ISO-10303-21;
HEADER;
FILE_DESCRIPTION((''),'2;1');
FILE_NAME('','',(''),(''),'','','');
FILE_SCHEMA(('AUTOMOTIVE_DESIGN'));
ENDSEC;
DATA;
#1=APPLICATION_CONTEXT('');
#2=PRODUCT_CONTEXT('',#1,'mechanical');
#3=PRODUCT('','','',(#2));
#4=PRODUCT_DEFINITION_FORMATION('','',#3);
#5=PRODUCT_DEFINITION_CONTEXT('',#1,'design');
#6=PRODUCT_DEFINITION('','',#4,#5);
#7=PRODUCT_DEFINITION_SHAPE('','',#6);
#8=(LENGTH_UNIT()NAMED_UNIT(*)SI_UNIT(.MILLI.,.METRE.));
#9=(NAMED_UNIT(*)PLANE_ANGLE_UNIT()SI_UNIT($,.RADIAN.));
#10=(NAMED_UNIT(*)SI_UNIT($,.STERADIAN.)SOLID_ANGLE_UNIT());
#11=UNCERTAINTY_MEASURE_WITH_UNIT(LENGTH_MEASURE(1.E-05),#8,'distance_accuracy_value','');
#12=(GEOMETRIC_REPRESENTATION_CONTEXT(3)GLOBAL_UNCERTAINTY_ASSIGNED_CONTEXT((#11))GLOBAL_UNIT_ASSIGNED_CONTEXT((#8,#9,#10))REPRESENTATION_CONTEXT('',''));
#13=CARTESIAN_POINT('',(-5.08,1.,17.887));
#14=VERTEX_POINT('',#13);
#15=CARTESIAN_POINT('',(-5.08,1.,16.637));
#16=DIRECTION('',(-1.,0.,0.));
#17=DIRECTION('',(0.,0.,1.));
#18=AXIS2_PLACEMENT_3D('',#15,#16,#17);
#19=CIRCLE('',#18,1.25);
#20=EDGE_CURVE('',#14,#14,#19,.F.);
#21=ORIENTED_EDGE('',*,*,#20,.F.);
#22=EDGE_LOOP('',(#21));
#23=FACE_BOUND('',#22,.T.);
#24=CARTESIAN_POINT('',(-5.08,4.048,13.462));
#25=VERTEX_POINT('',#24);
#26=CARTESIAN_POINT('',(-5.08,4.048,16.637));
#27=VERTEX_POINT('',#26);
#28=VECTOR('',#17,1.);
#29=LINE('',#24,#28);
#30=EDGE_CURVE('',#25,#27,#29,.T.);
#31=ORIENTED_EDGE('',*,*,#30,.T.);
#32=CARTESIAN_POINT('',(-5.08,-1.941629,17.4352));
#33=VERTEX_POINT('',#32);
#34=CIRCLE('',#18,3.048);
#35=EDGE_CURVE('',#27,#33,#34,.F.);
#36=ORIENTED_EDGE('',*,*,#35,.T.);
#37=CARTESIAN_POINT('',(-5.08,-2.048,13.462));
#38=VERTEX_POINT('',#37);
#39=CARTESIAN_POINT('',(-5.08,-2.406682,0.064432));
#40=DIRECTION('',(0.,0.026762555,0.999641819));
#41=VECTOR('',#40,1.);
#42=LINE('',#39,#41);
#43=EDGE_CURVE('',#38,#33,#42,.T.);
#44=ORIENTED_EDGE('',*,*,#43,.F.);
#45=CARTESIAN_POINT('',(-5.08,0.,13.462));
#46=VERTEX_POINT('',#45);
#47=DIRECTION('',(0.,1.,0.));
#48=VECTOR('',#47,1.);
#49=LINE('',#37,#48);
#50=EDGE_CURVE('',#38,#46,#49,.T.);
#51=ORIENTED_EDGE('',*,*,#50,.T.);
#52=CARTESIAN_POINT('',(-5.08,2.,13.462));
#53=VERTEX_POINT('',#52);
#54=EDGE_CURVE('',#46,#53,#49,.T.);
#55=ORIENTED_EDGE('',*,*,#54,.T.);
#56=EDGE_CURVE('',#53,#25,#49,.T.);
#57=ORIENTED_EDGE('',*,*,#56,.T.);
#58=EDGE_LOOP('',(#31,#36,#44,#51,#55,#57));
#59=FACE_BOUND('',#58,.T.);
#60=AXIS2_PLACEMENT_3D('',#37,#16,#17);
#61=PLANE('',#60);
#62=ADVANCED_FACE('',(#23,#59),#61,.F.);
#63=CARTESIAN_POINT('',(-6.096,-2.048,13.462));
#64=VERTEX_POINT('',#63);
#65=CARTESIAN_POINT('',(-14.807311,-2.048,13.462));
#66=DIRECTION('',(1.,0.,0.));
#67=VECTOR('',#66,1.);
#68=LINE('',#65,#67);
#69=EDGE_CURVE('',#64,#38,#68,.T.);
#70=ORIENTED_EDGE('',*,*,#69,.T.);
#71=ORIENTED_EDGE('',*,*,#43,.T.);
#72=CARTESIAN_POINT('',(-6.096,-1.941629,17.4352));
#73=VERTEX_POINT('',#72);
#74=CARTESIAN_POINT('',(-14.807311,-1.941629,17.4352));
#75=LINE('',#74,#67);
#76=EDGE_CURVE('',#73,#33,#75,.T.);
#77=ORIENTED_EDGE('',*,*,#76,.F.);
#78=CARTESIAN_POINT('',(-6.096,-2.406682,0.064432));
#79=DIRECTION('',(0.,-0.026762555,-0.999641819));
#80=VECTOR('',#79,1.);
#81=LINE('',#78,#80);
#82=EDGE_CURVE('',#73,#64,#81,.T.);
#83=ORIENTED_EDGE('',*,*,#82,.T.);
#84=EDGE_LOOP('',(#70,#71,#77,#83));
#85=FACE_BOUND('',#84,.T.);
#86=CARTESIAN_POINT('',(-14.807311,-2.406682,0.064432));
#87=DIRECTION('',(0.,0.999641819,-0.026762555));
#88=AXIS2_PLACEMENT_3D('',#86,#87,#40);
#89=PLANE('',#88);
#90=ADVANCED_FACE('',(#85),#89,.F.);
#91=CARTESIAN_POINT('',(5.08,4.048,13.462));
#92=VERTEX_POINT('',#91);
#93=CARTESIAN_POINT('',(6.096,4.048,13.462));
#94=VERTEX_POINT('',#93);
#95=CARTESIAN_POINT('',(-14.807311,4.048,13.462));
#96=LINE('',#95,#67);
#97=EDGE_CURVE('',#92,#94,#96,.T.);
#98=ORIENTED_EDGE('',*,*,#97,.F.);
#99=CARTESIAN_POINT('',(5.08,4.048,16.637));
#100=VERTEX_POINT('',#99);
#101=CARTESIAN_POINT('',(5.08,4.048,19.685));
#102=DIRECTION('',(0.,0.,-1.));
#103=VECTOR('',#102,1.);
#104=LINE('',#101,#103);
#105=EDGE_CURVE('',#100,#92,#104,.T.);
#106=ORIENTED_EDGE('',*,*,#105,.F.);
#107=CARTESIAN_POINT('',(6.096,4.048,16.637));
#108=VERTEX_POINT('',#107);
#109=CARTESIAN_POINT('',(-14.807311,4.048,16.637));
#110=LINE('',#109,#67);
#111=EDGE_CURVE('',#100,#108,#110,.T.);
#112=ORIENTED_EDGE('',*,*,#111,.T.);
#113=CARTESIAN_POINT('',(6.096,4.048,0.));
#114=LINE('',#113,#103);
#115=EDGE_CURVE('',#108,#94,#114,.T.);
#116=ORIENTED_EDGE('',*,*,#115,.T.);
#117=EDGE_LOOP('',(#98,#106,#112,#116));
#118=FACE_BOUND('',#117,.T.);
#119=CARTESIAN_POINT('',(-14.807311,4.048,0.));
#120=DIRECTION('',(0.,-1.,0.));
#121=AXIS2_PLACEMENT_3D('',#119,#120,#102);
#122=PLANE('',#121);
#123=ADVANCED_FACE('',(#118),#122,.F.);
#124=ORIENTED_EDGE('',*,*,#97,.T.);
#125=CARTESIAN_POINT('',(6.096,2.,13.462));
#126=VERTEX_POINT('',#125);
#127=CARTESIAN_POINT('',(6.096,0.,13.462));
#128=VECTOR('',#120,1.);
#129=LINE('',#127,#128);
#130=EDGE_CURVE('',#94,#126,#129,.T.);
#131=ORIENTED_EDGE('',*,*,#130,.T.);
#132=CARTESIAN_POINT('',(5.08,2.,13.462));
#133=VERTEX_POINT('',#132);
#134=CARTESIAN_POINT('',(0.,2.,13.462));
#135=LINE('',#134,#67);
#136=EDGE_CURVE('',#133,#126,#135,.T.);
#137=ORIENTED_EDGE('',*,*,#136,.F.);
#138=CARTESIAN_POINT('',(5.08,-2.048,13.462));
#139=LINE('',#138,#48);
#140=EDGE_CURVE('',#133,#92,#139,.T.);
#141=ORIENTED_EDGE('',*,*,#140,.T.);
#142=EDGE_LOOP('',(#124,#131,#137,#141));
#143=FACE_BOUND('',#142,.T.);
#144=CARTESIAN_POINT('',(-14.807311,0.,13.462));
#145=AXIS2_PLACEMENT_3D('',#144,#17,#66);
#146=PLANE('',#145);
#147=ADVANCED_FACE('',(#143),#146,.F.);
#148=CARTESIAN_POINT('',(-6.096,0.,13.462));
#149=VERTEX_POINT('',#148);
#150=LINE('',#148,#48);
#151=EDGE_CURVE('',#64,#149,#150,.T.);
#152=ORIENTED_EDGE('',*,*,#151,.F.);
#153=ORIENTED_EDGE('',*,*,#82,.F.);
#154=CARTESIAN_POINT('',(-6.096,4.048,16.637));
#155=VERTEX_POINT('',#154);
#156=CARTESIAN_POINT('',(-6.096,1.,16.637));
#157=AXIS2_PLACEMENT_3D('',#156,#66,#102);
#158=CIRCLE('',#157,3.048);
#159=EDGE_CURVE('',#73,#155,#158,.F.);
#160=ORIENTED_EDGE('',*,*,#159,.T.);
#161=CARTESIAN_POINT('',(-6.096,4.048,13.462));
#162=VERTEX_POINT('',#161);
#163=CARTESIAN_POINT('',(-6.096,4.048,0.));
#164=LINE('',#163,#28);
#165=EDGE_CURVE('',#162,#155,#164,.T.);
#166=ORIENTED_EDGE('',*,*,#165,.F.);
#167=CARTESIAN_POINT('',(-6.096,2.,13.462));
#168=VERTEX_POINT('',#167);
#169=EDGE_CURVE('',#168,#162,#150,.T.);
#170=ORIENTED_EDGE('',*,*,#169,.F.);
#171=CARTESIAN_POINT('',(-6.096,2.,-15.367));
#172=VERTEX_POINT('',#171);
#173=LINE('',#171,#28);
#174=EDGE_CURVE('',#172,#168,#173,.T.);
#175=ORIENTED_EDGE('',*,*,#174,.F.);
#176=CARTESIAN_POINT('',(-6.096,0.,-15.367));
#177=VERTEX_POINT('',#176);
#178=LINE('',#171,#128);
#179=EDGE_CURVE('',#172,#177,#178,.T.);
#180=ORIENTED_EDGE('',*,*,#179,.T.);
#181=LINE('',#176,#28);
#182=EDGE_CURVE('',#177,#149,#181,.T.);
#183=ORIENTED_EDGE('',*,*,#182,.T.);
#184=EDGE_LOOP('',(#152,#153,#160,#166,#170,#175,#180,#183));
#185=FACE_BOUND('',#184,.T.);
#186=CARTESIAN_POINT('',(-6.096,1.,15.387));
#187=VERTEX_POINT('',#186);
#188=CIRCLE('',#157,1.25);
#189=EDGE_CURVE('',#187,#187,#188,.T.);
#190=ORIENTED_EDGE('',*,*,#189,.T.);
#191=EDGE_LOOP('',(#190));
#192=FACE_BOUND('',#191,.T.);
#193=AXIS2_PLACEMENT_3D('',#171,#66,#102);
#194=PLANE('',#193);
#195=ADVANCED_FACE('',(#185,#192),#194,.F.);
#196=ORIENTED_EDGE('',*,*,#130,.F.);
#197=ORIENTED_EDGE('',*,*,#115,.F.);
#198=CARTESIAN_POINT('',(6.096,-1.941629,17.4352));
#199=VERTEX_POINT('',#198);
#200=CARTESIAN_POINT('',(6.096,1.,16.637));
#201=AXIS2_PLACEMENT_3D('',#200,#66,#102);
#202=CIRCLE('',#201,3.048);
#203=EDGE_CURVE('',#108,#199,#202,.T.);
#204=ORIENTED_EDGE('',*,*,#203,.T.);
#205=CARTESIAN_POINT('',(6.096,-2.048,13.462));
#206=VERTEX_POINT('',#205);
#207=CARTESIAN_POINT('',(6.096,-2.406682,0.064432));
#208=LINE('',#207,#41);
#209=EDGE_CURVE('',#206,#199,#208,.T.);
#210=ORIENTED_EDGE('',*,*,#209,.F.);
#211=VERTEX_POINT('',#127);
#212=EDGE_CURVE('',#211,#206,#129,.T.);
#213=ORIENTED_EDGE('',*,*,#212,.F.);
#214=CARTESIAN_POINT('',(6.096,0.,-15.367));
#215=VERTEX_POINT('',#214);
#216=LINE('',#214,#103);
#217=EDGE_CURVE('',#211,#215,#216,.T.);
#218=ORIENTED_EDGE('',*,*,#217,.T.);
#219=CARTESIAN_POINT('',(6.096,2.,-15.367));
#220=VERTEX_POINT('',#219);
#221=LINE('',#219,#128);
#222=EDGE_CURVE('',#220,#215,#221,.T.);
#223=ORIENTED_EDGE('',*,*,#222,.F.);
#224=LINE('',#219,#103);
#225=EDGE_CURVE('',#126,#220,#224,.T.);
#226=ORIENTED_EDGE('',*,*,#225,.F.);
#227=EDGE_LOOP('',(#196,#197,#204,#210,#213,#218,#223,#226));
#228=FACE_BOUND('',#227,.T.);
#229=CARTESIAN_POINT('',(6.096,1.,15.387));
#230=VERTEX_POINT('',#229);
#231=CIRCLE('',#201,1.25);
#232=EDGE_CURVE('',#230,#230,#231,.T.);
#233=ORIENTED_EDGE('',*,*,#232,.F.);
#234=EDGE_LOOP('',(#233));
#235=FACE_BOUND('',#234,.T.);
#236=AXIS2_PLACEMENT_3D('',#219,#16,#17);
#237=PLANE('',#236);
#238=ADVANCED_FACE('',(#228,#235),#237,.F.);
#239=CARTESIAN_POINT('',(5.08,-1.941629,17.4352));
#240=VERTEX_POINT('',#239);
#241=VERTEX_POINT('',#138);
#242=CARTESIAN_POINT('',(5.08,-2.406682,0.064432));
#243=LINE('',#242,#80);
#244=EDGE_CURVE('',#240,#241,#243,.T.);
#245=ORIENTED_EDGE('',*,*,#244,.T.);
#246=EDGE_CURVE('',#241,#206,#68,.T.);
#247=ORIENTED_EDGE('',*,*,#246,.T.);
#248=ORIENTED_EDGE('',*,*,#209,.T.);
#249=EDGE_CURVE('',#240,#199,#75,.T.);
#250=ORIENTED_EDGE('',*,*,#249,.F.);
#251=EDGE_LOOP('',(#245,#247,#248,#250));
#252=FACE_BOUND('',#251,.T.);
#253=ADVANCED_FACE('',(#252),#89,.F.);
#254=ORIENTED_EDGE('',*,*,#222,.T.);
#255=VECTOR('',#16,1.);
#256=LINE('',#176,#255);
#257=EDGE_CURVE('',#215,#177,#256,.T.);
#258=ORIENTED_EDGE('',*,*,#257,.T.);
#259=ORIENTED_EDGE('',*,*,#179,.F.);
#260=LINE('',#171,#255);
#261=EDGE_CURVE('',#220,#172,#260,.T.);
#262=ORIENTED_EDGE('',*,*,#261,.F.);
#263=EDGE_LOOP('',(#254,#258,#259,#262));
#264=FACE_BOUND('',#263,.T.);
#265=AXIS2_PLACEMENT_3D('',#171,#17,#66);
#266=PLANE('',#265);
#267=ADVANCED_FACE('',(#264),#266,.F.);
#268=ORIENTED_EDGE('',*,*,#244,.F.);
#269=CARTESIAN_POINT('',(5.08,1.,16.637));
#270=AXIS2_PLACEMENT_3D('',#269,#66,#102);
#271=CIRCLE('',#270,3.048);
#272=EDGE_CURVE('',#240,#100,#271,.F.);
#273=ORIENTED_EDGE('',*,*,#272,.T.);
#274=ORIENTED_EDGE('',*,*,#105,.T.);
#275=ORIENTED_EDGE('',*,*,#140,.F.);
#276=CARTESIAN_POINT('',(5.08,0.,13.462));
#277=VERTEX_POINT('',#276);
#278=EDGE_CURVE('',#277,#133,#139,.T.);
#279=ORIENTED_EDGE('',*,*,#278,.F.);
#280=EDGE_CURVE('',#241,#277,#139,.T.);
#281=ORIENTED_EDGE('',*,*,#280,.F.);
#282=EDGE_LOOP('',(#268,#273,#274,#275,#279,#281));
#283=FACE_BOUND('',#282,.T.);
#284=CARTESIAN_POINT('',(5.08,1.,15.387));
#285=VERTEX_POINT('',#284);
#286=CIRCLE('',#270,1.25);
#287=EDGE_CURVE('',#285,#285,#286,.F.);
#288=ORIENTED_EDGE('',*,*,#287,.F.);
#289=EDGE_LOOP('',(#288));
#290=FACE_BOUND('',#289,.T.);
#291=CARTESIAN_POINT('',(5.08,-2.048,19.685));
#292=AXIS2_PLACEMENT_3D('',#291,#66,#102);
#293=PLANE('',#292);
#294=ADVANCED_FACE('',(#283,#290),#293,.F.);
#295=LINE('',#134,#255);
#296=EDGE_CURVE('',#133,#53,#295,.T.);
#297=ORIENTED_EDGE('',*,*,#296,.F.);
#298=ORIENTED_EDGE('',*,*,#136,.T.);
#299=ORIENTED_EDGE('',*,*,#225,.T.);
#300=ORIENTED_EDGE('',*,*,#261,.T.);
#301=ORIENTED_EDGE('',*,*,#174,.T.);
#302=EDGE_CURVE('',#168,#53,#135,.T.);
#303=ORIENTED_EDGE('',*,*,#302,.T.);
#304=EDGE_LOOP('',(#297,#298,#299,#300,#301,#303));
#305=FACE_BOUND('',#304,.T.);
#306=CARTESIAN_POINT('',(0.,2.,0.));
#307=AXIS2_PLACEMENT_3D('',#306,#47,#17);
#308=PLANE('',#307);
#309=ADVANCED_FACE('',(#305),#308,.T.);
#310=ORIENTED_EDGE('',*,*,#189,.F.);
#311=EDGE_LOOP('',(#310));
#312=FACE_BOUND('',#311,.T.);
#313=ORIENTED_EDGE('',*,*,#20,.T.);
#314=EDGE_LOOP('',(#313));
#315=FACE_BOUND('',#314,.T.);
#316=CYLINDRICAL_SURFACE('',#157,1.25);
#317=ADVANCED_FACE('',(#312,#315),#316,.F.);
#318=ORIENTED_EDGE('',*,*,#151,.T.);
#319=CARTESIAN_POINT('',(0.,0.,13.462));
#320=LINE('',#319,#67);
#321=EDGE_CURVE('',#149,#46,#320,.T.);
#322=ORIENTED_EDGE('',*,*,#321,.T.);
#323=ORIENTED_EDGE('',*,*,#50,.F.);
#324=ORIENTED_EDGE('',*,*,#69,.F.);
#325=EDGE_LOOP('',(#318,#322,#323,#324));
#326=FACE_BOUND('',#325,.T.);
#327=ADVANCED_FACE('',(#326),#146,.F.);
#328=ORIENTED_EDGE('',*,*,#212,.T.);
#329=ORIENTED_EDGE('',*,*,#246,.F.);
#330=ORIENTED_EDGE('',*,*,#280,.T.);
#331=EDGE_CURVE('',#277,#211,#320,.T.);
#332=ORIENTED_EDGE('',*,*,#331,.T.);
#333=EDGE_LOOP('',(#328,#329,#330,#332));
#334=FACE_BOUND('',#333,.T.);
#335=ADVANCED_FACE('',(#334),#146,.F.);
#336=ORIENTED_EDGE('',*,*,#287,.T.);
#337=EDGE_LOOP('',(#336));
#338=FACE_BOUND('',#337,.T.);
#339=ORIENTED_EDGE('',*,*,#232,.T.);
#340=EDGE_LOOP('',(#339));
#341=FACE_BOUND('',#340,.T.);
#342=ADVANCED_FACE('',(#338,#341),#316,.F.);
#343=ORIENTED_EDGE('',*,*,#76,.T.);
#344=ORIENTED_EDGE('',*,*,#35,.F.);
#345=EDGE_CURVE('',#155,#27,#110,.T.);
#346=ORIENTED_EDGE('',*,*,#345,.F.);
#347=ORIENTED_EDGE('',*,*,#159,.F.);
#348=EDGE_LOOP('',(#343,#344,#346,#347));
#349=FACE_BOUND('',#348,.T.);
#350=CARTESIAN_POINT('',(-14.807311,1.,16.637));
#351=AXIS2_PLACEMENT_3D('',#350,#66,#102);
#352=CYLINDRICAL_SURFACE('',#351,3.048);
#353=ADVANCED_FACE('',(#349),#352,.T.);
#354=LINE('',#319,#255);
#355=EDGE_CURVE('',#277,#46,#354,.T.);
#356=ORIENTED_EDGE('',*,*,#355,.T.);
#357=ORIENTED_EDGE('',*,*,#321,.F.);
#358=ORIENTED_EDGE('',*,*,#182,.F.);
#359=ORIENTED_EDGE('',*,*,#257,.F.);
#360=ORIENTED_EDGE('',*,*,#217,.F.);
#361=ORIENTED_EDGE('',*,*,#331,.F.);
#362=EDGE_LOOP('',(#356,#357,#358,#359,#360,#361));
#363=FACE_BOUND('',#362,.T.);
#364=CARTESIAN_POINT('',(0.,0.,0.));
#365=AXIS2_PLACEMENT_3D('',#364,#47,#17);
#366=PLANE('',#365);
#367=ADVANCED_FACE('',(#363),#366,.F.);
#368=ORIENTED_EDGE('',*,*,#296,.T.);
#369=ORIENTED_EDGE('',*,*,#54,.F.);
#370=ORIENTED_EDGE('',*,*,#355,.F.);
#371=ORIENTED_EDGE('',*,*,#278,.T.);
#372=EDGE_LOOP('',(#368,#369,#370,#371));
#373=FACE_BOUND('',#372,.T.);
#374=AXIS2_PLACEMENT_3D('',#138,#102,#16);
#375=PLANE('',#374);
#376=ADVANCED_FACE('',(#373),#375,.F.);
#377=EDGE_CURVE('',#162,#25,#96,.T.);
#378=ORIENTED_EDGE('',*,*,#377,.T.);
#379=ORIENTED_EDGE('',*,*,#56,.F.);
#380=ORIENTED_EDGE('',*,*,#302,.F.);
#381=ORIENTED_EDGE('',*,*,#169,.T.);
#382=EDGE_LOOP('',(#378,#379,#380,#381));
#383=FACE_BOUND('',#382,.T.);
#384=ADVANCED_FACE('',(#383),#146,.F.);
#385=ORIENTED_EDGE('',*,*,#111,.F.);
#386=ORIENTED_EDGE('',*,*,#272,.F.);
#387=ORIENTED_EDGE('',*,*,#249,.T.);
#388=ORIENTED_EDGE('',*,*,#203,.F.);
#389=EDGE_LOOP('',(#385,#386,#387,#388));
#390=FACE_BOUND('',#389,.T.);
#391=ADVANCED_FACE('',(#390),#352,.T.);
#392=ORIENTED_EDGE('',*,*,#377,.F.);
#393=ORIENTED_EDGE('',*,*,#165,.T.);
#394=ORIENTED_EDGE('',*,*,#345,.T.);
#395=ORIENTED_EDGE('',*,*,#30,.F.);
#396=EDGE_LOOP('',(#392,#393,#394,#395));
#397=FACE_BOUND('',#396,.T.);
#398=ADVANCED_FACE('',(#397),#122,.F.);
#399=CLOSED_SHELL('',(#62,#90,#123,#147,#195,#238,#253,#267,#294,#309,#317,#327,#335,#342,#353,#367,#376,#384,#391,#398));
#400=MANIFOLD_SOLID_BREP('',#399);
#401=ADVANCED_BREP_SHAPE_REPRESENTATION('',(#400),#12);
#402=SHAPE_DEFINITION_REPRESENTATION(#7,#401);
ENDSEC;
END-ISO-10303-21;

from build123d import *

# Parameters (mm, degrees)
SKETCH1_W               = 12.192
SKETCH1_H               = 30.734
BOSS_EXTRUDE1_DEPTH     = 2
BOSS_EXTRUDE2_DEPTH     = 12.192
SKETCH3_R               = 1.25
CUT_EXTRUDE1_DEPTH      = 24.505965051
CUT_EXTRUDE2_DEPTH      = 22.001112947
CUT_EXTRUDE2_DEPTH_BACK = 22.001112947
SKETCH4_W               = 10.16
SKETCH4_H               = 6.223


with BuildPart() as part:
    # Sketch1 → Boss-Extrude1 (new body)
    with BuildSketch(Plane(origin=(0, 0, 0), x_dir=(1, 0, 0), z_dir=(0, 1, 0))):
        Rectangle(SKETCH1_W, SKETCH1_H)
    extrude(amount=BOSS_EXTRUDE1_DEPTH)

    # Sketch2 → Boss-Extrude2 (add)
    with BuildSketch(Plane(origin=(6.096, 0, 0), x_dir=(0, 0, -1), z_dir=(1, 0, 0))):
        with BuildLine():
            ThreePointArc((-13.757711199, 0), (-14.618095322, -1.28349029), (-15.997337956, -1.980123566))
            Line((-15.997337956, -1.980123566), (-13.462, -2.048))
            Line((-13.462, -2.048), (-13.462, 0))
            Line((-13.462, 0), (-13.757711199, 0))
        make_face()
        with BuildLine():
            Line((-13.462, 2), (-13.757711199, 2))
            ThreePointArc((-13.757711199, 2), (-13.631473734, 1.50706594), (-13.589, 1))
            ThreePointArc((-13.589, 1), (-13.631473734, 0.49293406), (-13.757711199, 0))
            Line((-13.757711199, 0), (-13.462, 0))
            Line((-13.462, 0), (-13.462, 2))
        make_face()
        with BuildLine():
            Line((-13.462, 4.048), (-16.637, 4.048))
            ThreePointArc((-16.637, 4.048), (-14.870321761, 3.483777768), (-13.757711199, 2))
            Line((-13.757711199, 2), (-13.462, 2))
            Line((-13.462, 2), (-13.462, 4.048))
        make_face()
        with BuildLine():
            ThreePointArc((-13.757711199, 2), (-14.870321761, 3.483777768), (-16.637, 4.048))
            ThreePointArc((-16.637, 4.048), (-19.658290199, 1.402628284), (-17.435200057, -1.941628914))
            Line((-17.435200057, -1.941628914), (-15.997337956, -1.980123566))
            ThreePointArc((-15.997337956, -1.980123566), (-14.618095322, -1.28349029), (-13.757711199, 0))
            Line((-13.757711199, 0), (-15.367, 0))
            Line((-15.367, 0), (-15.367, 2))
            Line((-15.367, 2), (-13.757711199, 2))
        make_face()
    extrude(amount=-BOSS_EXTRUDE2_DEPTH)

    # Sketch3 → Cut-Extrude1 (cut, through all)
    with BuildSketch(Plane(origin=(6.096, 0, 0), x_dir=(0, 0, -1), z_dir=(1, 0, 0))):
        with Locations((-16.637, 1)):
            Circle(SKETCH3_R)
    extrude(amount=-CUT_EXTRUDE1_DEPTH, mode=Mode.SUBTRACT)

    # Sketch4 → Cut-Extrude2 (cut, two sides: drawn at the far end of the back side and taken through both)
    with BuildSketch(Plane(origin=(0, 2, 0), x_dir=(1, 0, 0), z_dir=(0, 1, 0)).offset(-CUT_EXTRUDE2_DEPTH_BACK)):
        with Locations((0, -16.5735)):
            Rectangle(SKETCH4_W, SKETCH4_H)
    extrude(amount=CUT_EXTRUDE2_DEPTH + CUT_EXTRUDE2_DEPTH_BACK, mode=Mode.SUBTRACT)


solid = part.part
